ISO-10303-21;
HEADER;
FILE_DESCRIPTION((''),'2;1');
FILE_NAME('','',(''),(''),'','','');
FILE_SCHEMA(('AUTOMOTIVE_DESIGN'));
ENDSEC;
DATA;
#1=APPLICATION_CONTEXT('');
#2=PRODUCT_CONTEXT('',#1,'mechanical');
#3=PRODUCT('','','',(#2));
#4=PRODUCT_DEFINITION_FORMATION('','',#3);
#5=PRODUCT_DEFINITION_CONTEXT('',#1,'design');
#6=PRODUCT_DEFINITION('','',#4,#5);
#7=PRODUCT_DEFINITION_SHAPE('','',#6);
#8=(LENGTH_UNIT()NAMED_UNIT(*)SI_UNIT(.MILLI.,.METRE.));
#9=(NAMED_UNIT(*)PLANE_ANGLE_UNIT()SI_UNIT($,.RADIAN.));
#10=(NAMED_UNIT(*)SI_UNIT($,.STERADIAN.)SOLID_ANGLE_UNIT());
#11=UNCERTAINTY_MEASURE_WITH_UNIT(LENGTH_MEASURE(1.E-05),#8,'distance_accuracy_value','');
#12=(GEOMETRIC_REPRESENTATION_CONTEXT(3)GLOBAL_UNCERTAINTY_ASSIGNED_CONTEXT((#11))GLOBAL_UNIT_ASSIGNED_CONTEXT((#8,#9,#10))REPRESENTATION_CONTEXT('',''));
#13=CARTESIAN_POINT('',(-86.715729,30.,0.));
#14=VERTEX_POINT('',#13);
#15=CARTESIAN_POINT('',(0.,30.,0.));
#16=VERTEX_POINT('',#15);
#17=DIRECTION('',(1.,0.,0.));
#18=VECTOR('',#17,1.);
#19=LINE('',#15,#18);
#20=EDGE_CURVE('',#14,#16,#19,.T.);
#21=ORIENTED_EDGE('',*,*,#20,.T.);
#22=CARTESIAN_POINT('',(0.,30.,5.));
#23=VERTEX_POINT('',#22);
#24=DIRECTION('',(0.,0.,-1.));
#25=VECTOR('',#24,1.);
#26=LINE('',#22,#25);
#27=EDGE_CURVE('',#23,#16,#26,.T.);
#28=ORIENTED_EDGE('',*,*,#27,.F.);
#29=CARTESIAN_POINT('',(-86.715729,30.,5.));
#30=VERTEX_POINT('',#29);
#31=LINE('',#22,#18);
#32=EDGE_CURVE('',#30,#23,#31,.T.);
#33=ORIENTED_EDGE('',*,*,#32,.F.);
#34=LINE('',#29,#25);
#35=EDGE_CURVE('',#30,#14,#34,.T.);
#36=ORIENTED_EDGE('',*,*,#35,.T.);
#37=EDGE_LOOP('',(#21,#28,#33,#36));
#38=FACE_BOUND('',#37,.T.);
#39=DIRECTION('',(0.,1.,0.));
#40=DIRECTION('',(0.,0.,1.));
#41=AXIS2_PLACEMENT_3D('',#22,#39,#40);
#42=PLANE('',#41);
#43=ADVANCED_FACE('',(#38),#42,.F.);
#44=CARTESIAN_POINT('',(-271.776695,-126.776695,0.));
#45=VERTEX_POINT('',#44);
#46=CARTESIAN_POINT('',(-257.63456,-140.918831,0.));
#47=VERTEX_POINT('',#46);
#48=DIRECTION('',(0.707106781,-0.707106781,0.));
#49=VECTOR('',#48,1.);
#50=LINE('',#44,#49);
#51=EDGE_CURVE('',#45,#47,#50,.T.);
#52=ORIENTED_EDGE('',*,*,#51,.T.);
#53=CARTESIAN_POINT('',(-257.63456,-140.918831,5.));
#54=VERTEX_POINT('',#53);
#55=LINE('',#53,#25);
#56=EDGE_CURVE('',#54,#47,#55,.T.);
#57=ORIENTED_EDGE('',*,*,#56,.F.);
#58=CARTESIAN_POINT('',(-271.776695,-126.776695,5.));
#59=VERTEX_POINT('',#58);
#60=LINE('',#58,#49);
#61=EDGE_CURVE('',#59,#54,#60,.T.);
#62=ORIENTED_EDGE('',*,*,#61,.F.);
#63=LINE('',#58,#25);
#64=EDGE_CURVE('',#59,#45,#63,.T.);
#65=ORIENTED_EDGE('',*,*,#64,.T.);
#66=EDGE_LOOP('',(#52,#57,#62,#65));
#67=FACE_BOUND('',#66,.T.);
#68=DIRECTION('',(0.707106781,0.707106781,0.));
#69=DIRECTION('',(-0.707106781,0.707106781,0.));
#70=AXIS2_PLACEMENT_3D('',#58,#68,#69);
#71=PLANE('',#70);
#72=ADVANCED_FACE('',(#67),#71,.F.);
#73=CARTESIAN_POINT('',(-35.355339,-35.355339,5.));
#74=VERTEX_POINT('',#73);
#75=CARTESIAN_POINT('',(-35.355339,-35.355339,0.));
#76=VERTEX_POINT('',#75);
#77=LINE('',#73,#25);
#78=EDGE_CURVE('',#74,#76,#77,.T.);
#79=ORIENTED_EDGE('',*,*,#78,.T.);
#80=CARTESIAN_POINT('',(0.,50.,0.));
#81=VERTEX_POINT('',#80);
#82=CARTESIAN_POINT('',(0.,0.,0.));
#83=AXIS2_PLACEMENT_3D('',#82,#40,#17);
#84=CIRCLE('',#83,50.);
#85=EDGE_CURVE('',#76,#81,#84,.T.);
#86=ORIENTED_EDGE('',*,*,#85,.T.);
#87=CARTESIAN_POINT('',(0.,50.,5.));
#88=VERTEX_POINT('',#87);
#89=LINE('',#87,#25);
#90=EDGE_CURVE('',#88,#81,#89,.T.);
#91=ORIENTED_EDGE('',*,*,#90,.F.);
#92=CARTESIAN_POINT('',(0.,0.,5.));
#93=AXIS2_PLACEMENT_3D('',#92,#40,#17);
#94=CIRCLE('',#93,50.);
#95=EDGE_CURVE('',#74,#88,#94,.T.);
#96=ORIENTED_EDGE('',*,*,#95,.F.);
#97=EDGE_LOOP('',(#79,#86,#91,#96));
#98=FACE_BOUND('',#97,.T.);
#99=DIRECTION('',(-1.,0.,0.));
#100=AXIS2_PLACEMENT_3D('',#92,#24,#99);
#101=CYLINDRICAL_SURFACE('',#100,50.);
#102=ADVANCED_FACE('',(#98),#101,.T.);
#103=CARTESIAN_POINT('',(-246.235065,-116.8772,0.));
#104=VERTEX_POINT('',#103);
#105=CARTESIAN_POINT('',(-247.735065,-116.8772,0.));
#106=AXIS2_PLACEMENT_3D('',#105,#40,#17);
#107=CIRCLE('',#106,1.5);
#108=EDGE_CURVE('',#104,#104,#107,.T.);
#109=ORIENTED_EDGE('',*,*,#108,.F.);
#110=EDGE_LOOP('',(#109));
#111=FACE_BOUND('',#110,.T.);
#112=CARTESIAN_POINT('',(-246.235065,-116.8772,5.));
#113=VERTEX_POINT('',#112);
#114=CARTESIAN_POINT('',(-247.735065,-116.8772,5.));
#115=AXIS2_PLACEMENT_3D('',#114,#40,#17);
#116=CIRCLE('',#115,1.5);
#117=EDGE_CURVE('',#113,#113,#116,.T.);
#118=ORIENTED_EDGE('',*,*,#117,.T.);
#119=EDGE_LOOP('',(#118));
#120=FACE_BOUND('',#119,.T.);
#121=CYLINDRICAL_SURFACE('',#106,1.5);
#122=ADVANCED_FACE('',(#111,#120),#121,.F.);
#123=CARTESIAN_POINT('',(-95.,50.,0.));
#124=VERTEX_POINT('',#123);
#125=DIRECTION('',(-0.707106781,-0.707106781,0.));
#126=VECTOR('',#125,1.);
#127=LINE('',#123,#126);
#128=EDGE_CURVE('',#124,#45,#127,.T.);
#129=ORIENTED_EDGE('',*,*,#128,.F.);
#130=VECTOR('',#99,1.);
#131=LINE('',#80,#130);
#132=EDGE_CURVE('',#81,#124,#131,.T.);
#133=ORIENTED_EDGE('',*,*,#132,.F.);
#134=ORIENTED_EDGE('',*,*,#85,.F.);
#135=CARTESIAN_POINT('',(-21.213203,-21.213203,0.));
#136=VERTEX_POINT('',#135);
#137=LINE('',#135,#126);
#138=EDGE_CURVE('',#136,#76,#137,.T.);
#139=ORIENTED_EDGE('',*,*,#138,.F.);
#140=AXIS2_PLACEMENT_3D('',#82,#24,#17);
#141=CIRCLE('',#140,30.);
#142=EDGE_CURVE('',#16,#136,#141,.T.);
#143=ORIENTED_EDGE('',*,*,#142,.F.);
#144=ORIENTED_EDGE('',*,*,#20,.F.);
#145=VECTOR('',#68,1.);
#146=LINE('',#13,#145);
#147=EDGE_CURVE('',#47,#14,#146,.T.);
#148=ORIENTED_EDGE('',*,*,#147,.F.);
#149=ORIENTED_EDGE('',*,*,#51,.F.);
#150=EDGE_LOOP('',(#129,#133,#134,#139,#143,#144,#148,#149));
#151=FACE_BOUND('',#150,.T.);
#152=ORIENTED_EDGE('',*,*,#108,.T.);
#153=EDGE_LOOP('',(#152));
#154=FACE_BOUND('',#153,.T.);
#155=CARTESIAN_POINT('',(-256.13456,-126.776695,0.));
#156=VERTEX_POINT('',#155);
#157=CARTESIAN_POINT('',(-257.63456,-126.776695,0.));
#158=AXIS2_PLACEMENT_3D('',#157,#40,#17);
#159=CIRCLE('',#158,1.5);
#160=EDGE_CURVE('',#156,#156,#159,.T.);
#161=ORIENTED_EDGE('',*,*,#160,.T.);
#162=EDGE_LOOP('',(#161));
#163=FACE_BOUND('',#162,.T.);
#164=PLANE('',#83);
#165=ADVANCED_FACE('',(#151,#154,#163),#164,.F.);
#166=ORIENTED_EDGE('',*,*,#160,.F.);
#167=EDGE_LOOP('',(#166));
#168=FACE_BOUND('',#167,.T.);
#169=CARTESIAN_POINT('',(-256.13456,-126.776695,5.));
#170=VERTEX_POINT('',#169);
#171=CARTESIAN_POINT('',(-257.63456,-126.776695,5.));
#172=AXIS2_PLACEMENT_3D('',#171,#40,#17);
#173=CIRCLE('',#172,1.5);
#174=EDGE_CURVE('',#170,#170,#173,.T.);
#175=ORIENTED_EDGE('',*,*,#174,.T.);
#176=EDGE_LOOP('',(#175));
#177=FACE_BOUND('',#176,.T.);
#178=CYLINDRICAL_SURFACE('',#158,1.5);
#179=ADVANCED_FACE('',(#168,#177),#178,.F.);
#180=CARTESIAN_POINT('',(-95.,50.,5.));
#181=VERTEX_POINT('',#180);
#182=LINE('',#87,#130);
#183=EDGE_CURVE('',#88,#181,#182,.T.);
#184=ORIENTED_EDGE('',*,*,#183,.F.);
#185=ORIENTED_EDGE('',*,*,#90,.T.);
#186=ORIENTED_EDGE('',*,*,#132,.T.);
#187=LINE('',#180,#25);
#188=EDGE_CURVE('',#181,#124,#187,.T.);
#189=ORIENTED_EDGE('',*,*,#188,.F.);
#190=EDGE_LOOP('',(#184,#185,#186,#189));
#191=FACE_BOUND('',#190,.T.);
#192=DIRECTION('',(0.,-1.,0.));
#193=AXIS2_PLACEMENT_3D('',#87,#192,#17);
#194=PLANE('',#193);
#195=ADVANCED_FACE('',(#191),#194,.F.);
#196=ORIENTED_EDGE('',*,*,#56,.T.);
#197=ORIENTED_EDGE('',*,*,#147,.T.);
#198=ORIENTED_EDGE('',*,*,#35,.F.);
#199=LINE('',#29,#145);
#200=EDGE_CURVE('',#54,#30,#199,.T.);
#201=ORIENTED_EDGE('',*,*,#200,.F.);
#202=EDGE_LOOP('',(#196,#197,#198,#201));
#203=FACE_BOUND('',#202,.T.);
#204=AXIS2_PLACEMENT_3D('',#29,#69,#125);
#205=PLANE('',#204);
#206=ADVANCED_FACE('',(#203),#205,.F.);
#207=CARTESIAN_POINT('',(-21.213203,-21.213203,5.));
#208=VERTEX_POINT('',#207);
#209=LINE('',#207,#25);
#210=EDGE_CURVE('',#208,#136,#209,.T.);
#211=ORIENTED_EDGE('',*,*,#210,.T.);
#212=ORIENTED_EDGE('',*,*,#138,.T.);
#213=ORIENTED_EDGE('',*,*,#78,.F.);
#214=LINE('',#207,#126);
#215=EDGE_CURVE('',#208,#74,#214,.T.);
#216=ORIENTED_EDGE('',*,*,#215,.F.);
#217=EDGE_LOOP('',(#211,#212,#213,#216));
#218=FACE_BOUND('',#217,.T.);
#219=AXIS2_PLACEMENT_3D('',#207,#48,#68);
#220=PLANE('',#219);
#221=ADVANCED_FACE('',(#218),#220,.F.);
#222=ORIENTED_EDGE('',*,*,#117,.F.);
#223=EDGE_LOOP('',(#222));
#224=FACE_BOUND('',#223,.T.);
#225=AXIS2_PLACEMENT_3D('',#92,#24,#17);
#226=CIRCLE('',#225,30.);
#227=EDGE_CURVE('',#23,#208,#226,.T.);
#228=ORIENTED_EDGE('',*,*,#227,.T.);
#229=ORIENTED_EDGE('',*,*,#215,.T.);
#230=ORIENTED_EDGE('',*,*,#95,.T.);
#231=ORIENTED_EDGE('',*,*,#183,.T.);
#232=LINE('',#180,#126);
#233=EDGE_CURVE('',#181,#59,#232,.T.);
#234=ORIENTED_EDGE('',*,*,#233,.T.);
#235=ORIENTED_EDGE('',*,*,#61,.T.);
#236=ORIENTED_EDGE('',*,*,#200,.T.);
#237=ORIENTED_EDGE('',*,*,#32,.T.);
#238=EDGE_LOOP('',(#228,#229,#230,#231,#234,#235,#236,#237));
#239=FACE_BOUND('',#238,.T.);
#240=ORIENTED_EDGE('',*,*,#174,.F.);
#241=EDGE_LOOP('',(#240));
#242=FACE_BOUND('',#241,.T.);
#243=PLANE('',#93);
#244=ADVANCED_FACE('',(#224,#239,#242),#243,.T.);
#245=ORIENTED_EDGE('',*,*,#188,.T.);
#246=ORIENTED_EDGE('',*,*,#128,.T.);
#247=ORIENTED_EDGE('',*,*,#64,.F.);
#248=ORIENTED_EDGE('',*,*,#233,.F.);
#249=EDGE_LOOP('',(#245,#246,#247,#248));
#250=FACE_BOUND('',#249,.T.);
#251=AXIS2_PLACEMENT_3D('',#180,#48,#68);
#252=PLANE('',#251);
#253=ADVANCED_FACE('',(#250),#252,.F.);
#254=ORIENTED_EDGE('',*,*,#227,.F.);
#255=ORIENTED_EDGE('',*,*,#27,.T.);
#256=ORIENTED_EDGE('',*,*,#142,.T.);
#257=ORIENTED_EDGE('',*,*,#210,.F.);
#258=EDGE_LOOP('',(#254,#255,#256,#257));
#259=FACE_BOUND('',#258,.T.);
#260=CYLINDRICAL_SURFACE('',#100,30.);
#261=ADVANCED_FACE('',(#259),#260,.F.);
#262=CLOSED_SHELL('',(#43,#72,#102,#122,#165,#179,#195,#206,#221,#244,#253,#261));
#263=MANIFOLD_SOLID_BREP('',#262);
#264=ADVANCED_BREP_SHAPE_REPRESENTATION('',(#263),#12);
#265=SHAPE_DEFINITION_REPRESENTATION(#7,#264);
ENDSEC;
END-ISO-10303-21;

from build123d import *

# Parameters (mm, degrees)
EXTRUDE_1_DEPTH     = 5
SKETCH_2_R          = 1.5
CUT_EXTRUDE_1_DEPTH = 307.179177957


with BuildPart() as part:
    # 草图1 → 凸台-拉伸1 (new body)
    with BuildSketch(Plane.XY):
        with BuildLine():
            Line((0, 50), (-95, 50))
            Line((-95, 50), (-271.776695297, -126.776695297))
            Line((-271.776695297, -126.776695297), (-257.634559673, -140.91883092))
            Line((-257.634559673, -140.91883092), (-86.715728753, 30))
            Line((-86.715728753, 30), (0, 30))
            ThreePointArc((0, 30), (27.716385975, -11.480502971), (-21.213203436, -21.213203436))
            Line((-21.213203436, -21.213203436), (-35.355339059, -35.355339059))
            ThreePointArc((-35.355339059, -35.355339059), (46.193976626, -19.134171618), (0, 50))
        make_face()
    extrude(amount=EXTRUDE_1_DEPTH)

    # 草图2 → 切除-拉伸1 (cut, through all)
    with BuildSketch(Plane.XY.offset(5)):
        with Locations((-257.634559673, -126.776695297)):
            Circle(SKETCH_2_R)
        with Locations((-247.735064736, -116.87720036)):
            Circle(SKETCH_2_R)
    extrude(amount=-CUT_EXTRUDE_1_DEPTH, mode=Mode.SUBTRACT)


solid = part.part
